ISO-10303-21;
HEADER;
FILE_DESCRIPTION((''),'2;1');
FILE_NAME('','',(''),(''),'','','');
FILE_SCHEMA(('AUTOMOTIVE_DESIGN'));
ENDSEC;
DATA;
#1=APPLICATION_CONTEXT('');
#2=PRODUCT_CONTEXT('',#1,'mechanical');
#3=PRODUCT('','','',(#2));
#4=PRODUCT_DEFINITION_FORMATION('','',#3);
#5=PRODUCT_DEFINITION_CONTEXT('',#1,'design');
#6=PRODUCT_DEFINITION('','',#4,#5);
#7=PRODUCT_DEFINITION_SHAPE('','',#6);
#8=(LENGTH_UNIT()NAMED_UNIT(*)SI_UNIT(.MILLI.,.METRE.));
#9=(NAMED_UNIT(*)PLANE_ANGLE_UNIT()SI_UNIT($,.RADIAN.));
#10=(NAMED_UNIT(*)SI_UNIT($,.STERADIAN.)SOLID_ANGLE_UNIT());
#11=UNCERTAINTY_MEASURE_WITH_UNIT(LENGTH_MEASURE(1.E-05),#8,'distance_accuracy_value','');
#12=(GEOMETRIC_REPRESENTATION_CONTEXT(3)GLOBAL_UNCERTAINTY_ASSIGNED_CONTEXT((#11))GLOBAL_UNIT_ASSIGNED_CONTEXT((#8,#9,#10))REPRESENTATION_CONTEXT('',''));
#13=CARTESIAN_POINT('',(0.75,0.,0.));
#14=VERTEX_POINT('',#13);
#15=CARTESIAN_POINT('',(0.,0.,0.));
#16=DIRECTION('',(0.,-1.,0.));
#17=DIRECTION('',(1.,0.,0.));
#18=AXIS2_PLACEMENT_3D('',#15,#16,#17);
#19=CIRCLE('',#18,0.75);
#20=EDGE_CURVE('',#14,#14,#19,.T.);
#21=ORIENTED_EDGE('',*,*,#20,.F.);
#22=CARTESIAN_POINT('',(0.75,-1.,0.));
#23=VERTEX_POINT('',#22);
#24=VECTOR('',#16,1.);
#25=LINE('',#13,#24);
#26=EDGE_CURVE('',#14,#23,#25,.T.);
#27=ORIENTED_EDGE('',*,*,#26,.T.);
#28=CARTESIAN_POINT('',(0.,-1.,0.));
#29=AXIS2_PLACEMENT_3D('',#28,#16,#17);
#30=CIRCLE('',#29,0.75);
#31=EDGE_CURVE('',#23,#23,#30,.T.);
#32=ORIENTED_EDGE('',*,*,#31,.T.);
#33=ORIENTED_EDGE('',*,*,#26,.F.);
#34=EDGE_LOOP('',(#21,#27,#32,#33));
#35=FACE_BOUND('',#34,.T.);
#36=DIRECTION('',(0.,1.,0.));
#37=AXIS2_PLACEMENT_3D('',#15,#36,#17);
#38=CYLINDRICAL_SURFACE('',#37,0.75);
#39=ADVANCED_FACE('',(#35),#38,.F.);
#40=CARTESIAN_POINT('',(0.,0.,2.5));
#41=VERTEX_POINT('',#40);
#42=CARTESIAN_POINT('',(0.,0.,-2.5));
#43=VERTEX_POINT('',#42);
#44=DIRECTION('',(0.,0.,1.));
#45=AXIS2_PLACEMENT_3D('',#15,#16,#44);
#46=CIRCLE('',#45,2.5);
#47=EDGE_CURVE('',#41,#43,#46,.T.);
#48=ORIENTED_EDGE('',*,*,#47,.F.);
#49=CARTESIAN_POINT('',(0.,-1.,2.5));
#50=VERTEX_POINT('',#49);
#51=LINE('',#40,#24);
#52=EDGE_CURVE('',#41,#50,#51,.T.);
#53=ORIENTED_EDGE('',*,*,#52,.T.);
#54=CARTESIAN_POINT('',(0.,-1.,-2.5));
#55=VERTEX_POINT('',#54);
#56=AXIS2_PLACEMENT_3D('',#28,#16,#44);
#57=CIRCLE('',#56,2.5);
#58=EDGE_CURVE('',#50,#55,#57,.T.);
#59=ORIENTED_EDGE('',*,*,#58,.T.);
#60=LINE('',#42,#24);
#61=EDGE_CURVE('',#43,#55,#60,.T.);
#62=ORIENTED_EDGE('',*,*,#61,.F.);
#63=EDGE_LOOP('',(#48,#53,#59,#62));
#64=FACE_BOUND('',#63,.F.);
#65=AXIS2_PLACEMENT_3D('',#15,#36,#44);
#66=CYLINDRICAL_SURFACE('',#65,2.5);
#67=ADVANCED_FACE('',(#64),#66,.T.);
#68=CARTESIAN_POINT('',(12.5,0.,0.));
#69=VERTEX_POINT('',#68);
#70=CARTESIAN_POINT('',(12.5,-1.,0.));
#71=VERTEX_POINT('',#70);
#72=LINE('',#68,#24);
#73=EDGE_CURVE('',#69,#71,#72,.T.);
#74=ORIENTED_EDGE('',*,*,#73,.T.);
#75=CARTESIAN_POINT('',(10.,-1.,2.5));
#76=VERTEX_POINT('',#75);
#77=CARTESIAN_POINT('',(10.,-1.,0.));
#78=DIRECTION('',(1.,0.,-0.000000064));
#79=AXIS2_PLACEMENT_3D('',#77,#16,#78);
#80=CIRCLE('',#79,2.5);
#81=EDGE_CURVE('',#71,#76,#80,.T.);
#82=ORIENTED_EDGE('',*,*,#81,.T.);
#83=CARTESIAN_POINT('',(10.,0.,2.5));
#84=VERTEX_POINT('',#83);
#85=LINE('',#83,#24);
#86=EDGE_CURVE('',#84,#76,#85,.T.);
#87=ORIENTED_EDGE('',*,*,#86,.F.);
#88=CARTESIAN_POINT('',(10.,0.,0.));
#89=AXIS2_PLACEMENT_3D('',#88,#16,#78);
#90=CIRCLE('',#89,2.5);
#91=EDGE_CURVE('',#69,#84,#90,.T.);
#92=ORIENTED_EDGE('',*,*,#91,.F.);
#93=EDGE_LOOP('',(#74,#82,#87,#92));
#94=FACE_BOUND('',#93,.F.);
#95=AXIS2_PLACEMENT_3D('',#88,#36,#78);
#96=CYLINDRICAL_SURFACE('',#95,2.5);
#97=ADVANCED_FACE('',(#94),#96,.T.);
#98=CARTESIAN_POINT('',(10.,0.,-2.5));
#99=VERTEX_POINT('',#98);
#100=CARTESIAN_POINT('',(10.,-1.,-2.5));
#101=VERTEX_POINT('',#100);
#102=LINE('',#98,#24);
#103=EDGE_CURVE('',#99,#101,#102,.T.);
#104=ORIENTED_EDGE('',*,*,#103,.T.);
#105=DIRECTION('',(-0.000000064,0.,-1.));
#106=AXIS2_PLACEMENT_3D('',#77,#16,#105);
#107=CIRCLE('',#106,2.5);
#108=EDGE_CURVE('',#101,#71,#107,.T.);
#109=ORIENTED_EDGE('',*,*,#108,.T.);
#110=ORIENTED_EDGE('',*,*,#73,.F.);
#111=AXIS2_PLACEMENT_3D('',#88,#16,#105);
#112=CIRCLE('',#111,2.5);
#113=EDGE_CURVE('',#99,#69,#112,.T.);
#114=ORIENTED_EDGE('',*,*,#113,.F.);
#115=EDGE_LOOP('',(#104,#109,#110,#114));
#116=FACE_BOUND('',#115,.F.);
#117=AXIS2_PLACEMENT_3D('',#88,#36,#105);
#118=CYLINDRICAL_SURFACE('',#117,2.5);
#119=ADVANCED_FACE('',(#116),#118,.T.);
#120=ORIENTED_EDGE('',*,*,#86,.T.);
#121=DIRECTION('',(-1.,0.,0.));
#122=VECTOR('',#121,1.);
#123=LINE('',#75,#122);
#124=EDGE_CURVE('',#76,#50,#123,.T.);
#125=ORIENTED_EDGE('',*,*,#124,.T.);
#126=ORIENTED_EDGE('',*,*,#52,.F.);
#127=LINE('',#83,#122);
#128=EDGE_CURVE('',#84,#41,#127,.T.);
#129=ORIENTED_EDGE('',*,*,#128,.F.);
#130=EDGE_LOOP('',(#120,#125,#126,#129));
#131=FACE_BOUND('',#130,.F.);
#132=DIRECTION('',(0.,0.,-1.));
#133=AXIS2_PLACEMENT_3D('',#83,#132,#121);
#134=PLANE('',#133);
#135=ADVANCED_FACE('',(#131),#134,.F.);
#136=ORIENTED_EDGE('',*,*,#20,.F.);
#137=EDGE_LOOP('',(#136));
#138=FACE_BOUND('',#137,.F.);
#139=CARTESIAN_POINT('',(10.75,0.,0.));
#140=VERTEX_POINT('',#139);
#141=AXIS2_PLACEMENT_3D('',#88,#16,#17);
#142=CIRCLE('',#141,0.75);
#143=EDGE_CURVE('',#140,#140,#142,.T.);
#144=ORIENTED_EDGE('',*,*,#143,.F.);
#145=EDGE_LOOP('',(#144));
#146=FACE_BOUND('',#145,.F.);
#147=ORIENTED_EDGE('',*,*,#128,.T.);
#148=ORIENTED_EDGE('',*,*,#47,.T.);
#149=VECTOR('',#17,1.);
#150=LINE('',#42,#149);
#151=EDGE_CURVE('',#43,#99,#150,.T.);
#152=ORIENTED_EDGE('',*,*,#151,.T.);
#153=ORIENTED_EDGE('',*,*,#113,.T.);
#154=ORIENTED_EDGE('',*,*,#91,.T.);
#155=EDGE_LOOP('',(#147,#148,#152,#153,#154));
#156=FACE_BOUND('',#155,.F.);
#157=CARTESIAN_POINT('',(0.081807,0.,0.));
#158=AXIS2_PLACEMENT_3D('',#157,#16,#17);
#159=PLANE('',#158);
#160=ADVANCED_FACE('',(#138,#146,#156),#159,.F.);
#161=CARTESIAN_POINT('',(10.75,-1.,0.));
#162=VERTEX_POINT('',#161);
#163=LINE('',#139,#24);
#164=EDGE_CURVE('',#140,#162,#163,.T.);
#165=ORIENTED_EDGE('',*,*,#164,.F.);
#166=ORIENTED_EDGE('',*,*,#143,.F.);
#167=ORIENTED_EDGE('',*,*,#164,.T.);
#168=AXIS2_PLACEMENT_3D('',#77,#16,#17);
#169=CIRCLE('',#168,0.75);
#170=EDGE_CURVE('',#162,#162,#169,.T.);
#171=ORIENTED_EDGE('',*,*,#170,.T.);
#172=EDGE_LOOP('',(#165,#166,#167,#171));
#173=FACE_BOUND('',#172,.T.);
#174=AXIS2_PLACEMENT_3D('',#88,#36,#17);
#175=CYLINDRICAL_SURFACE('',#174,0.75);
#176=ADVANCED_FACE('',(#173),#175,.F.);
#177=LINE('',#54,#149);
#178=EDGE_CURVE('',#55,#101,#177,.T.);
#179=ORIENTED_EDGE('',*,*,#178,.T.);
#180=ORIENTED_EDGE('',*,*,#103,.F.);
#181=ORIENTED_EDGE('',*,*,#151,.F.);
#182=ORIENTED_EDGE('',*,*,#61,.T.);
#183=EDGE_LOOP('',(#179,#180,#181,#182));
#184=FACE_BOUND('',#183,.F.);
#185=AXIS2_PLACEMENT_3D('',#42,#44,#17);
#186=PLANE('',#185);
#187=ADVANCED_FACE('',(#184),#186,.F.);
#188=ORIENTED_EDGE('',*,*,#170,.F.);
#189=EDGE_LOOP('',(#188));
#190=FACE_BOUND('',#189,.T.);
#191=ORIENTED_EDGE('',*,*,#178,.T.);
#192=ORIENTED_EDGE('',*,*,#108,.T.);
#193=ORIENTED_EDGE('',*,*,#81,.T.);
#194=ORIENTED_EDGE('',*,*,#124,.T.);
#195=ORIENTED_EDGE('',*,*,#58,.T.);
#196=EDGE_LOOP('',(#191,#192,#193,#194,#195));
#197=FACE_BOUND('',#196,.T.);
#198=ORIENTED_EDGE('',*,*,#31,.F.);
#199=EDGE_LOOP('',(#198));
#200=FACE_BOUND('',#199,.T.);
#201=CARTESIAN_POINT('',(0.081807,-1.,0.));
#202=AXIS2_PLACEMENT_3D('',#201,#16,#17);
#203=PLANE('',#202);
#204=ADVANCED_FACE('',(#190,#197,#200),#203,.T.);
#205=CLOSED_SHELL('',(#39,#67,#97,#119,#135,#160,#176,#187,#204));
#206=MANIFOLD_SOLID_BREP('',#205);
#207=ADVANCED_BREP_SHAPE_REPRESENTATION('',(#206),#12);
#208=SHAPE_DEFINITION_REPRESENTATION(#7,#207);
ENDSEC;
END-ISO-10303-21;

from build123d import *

# Parameters (mm, degrees)
F0_R     = 0.75
F1_DEPTH = 1


with BuildPart() as f1:
    # F0 (on Front) → F1 (new body)
    with BuildSketch(Plane.XZ):
        with BuildLine():
            ThreePointArc((0, -2.5), (1.767767, -1.767767), (2.5, 0))
            ThreePointArc((2.5, 0), (1.767767, 1.767767), (0, 2.5))
            ThreePointArc((0, 2.5), (-2.5, 0), (0, -2.5))
        make_face()
        Circle(F0_R, mode=Mode.SUBTRACT)
        with BuildLine():
            ThreePointArc((12.5, 0), (11.767767, 1.767767), (10, 2.5))
            ThreePointArc((10, 2.5), (7.5, 0), (10, -2.5))
            ThreePointArc((10, -2.5), (11.767767, -1.767767), (12.5, 0))
        make_face()
        with Locations((10, 0)):
            Circle(F0_R, mode=Mode.SUBTRACT)
        with BuildLine():
            ThreePointArc((0, 2.5), (1.767767, 1.767767), (2.5, 0))
            ThreePointArc((2.5, 0), (1.767767, -1.767767), (0, -2.5))
            Line((0, -2.5), (10, -2.5))
            ThreePointArc((10, -2.5), (7.5, 0), (10, 2.5))
            Line((10, 2.5), (0, 2.5))
        make_face()
    extrude(amount=F1_DEPTH)


solid = f1.part
